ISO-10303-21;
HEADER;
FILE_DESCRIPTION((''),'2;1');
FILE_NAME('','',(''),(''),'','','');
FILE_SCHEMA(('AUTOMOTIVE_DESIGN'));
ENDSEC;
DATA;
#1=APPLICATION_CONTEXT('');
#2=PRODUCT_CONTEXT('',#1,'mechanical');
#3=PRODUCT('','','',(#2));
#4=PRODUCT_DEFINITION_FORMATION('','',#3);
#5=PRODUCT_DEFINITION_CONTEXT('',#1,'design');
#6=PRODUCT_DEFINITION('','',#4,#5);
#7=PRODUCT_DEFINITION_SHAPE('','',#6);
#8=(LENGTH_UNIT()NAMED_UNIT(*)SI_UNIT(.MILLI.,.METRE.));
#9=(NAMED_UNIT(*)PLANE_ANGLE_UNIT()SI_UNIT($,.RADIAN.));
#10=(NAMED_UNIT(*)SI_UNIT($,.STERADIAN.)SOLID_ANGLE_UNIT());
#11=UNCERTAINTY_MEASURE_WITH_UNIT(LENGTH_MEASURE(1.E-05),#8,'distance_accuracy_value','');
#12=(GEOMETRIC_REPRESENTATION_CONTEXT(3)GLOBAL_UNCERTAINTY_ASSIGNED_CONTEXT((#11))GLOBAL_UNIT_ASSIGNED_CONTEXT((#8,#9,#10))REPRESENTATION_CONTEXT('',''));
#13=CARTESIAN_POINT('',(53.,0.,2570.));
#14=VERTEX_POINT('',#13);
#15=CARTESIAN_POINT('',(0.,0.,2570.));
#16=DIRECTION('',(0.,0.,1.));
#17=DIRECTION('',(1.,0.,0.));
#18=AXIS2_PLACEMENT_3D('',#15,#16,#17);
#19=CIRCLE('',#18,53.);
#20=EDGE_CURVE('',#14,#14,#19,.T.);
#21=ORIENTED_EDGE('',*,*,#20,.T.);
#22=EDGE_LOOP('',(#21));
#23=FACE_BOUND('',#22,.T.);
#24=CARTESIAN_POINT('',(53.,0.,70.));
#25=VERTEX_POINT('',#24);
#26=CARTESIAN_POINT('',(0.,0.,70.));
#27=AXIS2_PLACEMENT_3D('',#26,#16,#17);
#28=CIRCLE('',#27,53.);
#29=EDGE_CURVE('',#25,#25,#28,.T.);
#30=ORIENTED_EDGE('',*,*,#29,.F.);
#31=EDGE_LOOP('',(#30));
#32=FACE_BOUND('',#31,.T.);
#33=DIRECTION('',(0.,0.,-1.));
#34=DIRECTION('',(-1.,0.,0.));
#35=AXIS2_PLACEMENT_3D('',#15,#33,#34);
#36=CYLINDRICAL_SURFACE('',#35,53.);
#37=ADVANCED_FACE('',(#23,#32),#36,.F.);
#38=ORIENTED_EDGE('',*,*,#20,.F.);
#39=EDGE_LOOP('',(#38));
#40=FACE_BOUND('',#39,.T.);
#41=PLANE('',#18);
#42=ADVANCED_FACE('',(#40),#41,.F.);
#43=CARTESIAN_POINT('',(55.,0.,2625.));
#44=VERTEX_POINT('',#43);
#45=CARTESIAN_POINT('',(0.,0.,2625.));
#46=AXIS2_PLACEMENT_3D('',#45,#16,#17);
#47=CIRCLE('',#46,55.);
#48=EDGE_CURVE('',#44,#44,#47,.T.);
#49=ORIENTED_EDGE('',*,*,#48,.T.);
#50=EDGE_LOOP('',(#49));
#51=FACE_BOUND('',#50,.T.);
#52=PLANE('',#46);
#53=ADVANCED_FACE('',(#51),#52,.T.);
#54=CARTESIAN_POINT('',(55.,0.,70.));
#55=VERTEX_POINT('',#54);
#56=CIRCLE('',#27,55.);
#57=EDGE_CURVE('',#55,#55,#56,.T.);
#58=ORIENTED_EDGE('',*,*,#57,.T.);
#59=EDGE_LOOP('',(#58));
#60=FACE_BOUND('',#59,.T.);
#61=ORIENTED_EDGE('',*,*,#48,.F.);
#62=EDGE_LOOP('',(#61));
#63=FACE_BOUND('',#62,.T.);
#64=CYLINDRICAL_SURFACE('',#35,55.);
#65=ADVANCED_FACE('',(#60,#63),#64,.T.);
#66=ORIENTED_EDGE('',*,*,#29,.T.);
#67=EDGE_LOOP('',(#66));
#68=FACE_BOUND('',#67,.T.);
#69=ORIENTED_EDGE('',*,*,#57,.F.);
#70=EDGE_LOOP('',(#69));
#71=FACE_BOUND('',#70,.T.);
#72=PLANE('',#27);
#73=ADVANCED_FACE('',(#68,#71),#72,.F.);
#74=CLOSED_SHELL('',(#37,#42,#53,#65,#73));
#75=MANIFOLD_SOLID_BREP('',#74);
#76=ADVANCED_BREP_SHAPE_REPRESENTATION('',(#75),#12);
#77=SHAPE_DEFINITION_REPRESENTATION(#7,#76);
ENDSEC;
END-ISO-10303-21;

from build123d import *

# Parameters (mm, degrees)
SKETCH2_R           = 55
SKETCH2_R_2         = 53
BOSS_EXTRUDE1_DEPTH = 2500
SKETCH3_R           = 55
BOSS_EXTRUDE2_DEPTH = 55


with BuildPart() as part:
    # Sketch2 → Boss-Extrude1 (new body)
    with BuildSketch(Plane.XY.offset(70)):
        Circle(SKETCH2_R)
        Circle(SKETCH2_R_2, mode=Mode.SUBTRACT)
    extrude(amount=BOSS_EXTRUDE1_DEPTH)

    # Sketch3 → Boss-Extrude2 (add)
    with BuildSketch(Plane.XY.offset(2570)):
        Circle(SKETCH3_R)
    extrude(amount=BOSS_EXTRUDE2_DEPTH)


solid = part.part
